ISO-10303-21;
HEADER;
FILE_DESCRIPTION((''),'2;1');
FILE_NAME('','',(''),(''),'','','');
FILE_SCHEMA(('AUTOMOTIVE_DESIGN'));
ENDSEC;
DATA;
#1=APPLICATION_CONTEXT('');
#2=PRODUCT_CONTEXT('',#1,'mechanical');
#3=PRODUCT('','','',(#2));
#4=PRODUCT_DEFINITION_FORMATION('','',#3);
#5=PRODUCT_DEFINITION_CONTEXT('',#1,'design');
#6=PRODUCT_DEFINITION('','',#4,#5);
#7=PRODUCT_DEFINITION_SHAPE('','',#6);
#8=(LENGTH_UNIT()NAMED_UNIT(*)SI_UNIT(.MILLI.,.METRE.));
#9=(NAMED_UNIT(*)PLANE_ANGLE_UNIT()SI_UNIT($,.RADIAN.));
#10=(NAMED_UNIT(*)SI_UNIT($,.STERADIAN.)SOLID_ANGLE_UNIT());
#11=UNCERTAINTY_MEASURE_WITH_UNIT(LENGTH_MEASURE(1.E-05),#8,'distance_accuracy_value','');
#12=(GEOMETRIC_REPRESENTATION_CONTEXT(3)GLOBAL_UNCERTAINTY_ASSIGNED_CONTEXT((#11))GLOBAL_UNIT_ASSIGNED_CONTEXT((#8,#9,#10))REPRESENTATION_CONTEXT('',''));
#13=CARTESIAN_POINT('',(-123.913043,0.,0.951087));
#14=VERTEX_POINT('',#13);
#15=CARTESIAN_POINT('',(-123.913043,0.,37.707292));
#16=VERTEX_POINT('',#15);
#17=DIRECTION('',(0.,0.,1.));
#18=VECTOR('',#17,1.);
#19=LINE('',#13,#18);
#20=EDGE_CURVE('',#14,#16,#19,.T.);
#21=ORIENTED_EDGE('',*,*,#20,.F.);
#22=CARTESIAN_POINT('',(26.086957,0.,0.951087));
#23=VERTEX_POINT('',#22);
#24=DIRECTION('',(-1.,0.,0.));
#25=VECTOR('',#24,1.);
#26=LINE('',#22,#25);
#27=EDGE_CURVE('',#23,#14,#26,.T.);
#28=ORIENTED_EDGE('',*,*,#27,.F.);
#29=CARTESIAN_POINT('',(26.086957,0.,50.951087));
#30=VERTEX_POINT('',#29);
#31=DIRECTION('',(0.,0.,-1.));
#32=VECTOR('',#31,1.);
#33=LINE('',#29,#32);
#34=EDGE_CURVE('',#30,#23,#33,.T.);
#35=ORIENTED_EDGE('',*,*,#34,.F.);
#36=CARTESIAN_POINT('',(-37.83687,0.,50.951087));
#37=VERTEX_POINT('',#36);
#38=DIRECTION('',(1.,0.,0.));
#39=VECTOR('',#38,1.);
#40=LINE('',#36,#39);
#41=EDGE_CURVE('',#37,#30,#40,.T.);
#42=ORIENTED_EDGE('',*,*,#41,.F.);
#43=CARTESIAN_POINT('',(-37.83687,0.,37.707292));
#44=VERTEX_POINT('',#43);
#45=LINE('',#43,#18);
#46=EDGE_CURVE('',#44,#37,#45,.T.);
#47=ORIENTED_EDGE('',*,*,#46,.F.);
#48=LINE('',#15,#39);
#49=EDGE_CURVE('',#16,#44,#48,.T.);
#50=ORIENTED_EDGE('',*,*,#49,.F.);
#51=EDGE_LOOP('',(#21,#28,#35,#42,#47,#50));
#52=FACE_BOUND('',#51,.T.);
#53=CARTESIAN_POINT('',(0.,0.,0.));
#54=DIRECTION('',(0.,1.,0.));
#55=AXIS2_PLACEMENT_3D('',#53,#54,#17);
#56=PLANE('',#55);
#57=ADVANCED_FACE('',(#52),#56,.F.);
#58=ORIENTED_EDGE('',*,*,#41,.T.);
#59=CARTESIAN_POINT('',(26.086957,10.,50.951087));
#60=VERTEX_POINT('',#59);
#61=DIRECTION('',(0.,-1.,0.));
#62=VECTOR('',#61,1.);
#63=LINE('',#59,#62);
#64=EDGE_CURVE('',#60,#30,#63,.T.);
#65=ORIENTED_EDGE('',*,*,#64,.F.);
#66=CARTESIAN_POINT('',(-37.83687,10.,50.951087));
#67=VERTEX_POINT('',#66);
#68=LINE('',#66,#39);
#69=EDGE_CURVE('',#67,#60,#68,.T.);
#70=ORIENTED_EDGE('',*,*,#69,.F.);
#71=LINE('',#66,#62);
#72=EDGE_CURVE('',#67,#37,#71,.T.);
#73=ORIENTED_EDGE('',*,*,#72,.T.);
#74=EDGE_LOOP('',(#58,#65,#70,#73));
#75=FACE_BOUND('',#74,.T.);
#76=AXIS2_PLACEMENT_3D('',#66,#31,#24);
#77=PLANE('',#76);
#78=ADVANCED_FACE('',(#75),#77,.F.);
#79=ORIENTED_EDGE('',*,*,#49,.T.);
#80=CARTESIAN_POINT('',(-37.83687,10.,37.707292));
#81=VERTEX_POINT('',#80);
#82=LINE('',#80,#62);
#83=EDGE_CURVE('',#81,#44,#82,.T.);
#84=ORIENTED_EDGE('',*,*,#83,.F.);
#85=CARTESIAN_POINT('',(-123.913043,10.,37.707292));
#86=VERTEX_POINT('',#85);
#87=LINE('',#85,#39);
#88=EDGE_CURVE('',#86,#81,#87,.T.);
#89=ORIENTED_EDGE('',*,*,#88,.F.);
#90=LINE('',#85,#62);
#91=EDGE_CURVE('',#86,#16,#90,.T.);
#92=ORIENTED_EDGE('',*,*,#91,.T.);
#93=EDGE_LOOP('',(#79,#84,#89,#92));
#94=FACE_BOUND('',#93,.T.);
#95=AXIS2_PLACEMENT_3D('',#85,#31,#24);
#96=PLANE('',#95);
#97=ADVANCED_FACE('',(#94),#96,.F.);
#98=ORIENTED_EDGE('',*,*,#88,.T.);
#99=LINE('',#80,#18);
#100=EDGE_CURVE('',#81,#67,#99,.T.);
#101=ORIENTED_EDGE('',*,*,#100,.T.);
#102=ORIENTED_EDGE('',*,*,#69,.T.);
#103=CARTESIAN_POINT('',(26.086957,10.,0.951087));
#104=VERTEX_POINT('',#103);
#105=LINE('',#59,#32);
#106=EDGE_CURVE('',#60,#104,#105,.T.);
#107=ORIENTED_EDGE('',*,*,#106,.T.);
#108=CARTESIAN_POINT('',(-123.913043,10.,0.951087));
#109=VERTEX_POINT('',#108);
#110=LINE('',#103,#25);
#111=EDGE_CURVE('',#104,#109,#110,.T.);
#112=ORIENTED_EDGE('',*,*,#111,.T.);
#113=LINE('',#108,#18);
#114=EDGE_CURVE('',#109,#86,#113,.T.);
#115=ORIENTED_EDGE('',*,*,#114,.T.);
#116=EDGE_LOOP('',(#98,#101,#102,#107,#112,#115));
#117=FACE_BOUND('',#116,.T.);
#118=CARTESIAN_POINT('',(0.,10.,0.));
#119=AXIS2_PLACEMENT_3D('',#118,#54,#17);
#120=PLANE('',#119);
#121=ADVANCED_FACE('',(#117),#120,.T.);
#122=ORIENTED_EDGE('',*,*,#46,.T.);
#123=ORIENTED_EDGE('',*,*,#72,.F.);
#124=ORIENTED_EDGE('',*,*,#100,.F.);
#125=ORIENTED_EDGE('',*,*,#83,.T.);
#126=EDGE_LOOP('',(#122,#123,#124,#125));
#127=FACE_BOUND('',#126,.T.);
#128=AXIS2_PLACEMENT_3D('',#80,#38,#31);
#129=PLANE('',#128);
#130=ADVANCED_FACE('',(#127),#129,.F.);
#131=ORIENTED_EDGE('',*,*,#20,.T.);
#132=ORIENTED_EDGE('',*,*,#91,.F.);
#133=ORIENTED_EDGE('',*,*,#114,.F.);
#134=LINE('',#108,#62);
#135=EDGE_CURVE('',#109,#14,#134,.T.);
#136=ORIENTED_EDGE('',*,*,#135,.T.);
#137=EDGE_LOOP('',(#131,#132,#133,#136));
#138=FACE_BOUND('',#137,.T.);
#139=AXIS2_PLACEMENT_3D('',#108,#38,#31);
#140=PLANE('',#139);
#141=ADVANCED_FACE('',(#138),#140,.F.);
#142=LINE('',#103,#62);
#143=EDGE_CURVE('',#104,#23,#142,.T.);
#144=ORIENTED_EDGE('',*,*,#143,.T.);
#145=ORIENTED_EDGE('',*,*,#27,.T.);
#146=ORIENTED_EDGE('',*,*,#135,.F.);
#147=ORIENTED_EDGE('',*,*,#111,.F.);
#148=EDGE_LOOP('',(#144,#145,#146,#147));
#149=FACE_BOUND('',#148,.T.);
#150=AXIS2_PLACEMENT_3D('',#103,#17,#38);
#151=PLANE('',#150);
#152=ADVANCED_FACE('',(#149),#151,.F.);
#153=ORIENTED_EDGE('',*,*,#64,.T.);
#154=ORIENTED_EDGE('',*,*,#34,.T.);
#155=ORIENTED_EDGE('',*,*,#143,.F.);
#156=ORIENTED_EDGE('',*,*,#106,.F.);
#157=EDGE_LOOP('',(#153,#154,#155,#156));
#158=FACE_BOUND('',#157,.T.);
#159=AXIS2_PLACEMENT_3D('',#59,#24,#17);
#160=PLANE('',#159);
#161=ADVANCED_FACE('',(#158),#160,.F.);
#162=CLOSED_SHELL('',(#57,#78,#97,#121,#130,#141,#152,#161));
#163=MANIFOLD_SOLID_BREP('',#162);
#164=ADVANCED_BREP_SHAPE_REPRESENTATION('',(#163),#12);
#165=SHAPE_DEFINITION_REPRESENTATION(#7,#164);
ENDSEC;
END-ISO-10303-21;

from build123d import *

# Parameters (mm, degrees)
BOSS_EXTRUDE1_DEPTH = 10


with BuildPart() as part:
    # Sketch1 → Boss-Extrude1 (new body)
    with BuildSketch(Plane(origin=(0, 0, 0), x_dir=(1, 0, 0), z_dir=(0, 1, 0))):
        Polygon((-123.913043478, -0.951086957), (-123.913043478, -37.707292157), (-37.83687048, -37.707292157), (-37.83687048, -50.951086957), (26.086956522, -50.951086957), (26.086956522, -0.951086957), align=None)
    extrude(amount=BOSS_EXTRUDE1_DEPTH)


solid = part.part
